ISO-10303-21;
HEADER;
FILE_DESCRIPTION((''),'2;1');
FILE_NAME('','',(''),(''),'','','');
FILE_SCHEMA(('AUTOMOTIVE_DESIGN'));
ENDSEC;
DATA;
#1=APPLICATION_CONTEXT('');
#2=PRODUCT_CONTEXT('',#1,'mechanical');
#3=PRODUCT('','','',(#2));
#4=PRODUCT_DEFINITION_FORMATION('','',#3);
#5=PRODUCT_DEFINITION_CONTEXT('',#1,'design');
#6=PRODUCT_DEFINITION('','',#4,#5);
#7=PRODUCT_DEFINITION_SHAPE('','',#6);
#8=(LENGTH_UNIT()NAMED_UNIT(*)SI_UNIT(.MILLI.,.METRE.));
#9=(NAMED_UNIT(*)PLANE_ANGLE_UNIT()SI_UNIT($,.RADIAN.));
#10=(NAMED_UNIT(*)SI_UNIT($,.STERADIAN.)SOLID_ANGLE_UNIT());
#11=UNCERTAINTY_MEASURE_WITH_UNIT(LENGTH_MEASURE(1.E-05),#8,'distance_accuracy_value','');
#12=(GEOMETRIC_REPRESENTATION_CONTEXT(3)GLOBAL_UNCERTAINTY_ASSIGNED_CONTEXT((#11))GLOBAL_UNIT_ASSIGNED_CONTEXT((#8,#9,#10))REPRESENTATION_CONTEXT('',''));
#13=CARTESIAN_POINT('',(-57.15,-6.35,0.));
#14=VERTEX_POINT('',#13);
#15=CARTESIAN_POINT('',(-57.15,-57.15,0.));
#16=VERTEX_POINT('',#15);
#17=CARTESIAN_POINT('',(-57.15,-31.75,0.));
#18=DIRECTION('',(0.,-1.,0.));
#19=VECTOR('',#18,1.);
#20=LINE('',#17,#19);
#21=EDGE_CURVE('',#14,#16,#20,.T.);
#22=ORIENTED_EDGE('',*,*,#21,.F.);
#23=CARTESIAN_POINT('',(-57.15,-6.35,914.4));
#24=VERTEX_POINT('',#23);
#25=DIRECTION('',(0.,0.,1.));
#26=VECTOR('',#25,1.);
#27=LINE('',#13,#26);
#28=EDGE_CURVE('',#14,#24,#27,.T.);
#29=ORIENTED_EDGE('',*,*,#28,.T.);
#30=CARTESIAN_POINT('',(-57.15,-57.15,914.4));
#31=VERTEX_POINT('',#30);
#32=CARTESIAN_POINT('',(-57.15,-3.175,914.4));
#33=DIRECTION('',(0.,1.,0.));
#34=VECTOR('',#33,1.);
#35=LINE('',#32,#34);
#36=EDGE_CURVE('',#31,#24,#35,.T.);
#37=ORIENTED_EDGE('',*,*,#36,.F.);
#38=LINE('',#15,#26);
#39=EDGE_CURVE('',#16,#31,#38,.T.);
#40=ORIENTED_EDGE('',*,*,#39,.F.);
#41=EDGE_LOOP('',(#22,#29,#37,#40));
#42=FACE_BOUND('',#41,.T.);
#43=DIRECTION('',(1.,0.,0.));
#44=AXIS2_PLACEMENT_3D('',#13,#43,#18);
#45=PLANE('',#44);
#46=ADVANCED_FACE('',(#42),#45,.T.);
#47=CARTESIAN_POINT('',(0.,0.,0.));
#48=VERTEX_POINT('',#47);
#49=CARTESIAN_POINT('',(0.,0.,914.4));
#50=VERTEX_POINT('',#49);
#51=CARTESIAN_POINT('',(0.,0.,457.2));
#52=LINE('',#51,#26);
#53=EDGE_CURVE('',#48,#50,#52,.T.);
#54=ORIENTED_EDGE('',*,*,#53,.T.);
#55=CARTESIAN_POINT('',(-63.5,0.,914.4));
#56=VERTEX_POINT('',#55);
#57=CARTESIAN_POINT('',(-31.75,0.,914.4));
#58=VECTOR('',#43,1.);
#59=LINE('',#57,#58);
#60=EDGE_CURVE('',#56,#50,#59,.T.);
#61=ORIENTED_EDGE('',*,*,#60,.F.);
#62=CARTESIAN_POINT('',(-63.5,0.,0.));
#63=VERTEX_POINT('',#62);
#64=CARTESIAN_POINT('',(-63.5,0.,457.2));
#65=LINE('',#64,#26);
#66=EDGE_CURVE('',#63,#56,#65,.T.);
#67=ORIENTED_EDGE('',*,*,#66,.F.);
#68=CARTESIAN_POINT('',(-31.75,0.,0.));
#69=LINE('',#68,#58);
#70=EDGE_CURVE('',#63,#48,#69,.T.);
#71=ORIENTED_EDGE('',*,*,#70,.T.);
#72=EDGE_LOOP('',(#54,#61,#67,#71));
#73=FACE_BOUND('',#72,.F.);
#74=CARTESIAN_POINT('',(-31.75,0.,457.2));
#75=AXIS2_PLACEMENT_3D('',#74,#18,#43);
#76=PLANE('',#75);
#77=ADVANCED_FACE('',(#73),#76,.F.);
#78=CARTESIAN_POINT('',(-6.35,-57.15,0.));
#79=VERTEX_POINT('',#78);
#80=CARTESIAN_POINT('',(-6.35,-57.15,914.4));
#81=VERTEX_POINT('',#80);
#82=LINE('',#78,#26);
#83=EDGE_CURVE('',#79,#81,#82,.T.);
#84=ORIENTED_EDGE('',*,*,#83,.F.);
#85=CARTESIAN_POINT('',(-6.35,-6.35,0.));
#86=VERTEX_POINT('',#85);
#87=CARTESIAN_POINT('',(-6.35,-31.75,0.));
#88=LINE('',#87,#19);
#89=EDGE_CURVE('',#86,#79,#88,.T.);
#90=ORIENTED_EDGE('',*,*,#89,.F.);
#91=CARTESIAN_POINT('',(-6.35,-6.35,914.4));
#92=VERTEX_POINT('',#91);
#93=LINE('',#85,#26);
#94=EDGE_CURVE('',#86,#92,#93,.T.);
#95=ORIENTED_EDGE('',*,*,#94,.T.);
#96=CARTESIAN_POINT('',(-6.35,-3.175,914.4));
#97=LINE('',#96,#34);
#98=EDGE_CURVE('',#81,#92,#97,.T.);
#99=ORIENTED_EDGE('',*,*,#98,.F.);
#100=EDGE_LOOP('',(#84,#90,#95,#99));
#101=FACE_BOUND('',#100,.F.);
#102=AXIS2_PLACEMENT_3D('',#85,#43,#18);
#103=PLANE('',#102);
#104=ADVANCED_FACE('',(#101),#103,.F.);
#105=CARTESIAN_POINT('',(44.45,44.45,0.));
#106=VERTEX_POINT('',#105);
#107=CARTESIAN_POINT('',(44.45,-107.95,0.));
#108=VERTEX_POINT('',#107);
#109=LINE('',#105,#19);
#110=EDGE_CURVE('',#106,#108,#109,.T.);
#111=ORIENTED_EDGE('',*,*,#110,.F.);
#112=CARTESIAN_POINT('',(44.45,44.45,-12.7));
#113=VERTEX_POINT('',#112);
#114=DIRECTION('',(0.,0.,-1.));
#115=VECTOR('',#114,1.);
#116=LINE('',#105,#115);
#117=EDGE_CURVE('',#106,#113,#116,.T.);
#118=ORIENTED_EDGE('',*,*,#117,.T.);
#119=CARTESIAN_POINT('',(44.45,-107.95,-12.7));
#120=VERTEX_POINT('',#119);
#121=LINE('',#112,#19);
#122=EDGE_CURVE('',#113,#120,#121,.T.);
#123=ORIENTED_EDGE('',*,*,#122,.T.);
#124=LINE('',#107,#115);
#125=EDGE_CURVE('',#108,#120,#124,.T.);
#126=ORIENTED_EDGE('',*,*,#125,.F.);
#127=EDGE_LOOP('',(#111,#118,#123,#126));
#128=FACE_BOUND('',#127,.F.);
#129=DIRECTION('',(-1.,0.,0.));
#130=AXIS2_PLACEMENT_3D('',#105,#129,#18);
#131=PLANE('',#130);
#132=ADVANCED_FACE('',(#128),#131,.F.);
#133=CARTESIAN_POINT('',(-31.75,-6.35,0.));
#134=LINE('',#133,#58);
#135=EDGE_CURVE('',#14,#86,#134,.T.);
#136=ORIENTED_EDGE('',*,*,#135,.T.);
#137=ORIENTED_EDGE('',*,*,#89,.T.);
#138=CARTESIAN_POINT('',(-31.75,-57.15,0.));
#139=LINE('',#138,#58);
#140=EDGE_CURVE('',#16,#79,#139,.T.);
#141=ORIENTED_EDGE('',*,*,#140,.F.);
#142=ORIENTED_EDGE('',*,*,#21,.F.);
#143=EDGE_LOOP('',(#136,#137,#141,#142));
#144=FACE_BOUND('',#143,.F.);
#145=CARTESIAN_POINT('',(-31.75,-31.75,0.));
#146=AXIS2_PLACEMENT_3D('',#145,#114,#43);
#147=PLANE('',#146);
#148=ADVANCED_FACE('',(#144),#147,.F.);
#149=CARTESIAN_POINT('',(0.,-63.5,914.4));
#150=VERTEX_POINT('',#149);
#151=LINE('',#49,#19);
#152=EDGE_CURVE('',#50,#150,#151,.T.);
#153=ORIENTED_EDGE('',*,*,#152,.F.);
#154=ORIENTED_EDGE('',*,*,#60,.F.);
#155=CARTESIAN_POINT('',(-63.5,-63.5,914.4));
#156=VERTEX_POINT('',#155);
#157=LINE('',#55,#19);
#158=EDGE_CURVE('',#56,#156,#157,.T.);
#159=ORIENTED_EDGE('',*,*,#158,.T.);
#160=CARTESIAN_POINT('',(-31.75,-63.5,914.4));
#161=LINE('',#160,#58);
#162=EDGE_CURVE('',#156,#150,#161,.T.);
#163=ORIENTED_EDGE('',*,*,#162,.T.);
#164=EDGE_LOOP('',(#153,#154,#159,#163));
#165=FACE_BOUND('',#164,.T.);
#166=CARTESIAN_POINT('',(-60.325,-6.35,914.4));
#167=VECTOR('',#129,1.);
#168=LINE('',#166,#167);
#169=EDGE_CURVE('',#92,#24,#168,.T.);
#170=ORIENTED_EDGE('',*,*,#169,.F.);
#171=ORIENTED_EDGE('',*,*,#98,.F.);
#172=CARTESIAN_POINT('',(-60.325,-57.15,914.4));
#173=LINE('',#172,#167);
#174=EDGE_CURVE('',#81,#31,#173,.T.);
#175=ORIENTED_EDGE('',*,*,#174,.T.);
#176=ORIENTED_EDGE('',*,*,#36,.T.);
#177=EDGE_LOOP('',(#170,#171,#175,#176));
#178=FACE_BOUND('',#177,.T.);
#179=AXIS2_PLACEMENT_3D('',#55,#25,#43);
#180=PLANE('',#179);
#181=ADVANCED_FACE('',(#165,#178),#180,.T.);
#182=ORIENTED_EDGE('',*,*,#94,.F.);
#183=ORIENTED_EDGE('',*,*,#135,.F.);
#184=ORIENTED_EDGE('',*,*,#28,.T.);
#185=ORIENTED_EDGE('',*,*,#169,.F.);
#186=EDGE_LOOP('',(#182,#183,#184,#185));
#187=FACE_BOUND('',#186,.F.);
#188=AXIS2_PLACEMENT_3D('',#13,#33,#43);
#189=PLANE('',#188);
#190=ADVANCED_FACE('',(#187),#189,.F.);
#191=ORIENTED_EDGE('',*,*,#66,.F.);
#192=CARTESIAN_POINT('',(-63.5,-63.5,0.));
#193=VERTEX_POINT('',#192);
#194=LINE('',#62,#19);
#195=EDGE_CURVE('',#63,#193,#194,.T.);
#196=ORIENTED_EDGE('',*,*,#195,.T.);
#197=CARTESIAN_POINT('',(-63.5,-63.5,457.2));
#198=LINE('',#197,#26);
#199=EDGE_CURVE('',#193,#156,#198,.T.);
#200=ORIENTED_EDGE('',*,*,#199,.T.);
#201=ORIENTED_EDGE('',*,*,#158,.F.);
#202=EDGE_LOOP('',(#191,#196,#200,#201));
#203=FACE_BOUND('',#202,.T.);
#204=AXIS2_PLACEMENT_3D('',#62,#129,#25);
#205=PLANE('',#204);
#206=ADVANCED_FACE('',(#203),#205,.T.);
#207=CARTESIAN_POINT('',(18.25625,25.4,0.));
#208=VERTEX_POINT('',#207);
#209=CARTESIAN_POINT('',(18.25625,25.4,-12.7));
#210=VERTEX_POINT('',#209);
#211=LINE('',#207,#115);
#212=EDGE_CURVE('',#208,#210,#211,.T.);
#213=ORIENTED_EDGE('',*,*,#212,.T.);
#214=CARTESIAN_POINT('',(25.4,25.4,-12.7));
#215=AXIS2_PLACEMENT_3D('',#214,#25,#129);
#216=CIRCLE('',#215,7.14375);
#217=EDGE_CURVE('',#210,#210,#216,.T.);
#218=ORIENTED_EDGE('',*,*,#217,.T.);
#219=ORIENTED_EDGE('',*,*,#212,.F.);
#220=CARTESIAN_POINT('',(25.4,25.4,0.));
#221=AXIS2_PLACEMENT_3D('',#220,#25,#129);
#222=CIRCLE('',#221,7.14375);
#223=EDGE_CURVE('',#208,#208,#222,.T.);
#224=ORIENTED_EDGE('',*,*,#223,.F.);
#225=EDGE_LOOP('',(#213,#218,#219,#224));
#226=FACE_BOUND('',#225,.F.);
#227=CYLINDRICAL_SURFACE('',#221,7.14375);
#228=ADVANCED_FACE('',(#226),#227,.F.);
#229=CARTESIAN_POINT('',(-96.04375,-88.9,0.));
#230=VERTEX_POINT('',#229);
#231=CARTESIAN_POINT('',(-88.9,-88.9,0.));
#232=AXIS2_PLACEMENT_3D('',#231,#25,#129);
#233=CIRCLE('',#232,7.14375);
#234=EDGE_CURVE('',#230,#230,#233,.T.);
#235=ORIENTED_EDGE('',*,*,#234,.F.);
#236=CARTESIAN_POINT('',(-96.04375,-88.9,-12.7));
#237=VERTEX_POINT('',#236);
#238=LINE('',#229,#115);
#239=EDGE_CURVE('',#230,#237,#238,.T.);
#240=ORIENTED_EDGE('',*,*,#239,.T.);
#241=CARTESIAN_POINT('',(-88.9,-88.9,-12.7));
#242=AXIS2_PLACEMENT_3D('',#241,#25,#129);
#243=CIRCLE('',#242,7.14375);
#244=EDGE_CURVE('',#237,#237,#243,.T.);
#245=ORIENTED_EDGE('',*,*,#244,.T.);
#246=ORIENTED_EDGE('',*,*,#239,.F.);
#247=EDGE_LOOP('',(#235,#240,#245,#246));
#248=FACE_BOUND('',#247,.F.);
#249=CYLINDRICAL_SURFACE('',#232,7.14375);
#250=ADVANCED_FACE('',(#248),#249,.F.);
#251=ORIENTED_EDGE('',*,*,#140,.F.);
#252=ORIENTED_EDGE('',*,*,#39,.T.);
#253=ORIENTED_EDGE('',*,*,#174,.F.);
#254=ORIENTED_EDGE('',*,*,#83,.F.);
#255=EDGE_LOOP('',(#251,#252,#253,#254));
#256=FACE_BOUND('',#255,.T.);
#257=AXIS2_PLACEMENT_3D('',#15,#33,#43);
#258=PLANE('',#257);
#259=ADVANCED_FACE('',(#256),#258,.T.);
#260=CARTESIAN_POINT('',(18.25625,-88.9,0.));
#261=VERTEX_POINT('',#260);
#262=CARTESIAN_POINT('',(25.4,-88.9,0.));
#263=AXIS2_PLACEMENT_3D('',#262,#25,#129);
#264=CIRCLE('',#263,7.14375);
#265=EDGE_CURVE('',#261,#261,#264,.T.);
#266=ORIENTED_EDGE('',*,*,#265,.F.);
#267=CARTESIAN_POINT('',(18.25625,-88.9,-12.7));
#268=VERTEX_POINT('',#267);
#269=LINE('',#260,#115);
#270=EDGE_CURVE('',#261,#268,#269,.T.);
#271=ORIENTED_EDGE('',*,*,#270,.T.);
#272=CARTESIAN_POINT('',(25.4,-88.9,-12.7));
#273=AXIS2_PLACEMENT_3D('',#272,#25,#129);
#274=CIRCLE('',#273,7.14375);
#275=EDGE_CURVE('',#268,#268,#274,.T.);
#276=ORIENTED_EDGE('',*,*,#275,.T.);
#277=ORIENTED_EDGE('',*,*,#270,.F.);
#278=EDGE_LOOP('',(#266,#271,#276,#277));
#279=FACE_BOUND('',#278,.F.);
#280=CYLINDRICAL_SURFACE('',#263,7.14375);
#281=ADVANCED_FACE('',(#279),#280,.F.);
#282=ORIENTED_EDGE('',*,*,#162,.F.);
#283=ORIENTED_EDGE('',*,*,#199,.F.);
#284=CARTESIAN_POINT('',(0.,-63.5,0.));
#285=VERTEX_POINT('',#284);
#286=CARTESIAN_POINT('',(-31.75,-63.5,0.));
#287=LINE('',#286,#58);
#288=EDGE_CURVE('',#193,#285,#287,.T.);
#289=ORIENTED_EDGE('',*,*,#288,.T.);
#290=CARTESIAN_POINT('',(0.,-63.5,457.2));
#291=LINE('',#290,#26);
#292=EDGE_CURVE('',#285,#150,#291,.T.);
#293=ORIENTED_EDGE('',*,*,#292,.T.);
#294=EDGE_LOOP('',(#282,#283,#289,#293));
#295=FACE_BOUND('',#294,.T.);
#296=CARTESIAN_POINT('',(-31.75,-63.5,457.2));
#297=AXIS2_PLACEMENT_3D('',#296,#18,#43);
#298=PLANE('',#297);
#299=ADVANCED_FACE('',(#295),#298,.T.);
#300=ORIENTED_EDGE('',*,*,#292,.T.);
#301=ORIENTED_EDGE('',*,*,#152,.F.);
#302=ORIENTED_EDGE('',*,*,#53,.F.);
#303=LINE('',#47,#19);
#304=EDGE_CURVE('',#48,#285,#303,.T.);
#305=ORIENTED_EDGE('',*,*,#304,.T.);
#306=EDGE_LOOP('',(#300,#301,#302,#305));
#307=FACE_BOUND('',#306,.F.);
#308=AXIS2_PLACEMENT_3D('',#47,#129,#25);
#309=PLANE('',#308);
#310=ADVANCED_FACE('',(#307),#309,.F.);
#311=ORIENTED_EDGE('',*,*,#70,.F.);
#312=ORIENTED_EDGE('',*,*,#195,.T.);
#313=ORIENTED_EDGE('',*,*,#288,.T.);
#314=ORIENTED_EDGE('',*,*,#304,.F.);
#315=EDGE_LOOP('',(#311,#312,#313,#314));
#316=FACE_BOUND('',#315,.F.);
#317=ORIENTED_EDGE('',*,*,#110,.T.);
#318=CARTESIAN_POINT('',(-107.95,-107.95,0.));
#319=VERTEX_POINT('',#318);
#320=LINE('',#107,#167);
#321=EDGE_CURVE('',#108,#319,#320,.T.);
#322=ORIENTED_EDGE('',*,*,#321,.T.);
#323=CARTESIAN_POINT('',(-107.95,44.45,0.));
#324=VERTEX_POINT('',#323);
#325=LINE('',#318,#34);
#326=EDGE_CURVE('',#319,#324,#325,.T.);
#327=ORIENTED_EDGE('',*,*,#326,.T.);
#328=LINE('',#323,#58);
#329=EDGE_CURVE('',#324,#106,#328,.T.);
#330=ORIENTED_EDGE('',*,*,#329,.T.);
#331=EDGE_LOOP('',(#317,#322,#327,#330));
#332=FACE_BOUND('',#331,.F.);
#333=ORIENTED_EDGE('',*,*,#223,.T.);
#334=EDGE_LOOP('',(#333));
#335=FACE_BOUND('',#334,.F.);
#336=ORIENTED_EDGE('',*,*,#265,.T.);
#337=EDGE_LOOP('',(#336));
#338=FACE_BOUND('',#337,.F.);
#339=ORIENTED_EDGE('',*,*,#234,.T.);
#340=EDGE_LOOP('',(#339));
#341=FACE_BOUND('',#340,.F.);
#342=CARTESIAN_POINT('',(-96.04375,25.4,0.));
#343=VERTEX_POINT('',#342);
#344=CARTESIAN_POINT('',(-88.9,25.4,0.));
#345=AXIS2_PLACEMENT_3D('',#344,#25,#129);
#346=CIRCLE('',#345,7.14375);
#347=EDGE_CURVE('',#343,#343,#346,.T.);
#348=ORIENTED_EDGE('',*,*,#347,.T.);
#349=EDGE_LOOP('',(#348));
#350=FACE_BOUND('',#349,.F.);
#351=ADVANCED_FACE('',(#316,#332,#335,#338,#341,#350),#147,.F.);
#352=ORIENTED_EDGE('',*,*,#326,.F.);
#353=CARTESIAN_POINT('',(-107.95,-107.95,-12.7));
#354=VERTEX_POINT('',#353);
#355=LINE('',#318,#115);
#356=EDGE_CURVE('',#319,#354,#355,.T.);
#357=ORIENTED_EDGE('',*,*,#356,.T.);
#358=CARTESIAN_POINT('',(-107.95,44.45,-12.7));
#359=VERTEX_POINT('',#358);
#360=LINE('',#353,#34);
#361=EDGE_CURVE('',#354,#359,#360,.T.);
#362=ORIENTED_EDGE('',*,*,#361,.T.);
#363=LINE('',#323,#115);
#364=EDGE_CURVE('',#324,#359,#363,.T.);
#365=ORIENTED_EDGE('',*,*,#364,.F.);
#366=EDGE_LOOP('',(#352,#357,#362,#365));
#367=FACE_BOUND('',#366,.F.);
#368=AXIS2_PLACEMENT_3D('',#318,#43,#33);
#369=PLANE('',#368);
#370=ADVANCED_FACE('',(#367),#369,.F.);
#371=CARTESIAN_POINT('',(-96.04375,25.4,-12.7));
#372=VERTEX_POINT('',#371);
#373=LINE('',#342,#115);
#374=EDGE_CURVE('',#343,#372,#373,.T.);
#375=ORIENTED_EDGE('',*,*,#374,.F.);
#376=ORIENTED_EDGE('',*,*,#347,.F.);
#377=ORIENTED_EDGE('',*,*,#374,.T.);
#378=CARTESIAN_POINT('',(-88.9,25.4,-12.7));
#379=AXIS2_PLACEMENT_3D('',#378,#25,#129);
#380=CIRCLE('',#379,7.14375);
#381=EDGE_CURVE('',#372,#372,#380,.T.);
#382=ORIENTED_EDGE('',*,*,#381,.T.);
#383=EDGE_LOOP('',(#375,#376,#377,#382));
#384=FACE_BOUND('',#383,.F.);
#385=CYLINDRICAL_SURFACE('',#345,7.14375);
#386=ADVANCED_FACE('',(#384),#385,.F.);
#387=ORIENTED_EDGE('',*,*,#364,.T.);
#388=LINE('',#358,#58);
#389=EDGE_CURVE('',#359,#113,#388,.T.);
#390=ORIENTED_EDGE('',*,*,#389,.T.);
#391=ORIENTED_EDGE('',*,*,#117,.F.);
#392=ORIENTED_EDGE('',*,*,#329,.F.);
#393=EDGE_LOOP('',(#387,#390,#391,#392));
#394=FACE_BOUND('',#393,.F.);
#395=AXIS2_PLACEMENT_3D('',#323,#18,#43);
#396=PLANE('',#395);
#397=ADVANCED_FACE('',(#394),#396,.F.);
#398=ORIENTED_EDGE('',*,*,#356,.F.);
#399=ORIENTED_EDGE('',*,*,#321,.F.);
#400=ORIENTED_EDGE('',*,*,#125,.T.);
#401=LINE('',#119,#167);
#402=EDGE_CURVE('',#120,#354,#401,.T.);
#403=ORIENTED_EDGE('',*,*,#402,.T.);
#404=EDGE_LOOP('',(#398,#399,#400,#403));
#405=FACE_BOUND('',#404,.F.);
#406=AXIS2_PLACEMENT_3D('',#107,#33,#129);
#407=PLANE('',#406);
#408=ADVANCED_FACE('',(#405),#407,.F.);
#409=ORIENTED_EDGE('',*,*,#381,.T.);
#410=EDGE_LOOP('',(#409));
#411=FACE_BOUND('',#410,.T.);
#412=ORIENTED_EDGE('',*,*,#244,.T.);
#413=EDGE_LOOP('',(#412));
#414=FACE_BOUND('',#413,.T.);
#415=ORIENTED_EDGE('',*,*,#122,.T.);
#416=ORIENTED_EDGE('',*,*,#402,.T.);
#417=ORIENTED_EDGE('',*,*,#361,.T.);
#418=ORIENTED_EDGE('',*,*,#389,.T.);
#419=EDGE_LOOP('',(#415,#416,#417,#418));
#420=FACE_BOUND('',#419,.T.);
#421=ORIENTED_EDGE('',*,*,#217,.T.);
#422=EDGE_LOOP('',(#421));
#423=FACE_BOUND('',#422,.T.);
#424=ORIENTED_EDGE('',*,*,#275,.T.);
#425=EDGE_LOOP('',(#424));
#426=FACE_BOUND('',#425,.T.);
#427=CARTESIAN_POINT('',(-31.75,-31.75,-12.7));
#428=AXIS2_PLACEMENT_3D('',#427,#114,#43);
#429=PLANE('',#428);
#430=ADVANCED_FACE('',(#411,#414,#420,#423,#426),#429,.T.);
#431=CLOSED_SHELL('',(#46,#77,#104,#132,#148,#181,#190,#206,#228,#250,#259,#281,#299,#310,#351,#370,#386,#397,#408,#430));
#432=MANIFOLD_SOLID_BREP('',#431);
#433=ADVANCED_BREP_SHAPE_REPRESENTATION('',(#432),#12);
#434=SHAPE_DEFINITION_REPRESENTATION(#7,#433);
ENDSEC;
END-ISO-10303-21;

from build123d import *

# Parameters (mm, degrees)
F0_W     = 63.5
F0_H     = 914.4
F1_DEPTH = 63.5
F2_W     = 50.8
F2_H     = 50.8
F3_DEPTH = 914.401
F5_DEPTH = 12.7
F7_DEPTH = 25.4


with BuildPart() as f1:
    # F0 (on Front) → F1 (new body)
    with BuildSketch(Plane.XZ):
        with Locations((-31.75, 457.2)):
            Rectangle(F0_W, F0_H)
    extrude(amount=F1_DEPTH)

    # F2 (on face) → F3 (cut, through all)
    with BuildSketch(Plane(origin=(0, 0, 0), x_dir=(1, 0, 0), z_dir=(0, 0, -1))):
        with Locations((-31.75, 31.75)):
            Rectangle(F2_W, F2_H)
    extrude(amount=-F3_DEPTH, mode=Mode.SUBTRACT)

    # F4 (on face) → F5 (join)
    with BuildSketch(Plane(origin=(0, 0, 0), x_dir=(1, 0, 0), z_dir=(0, 0, -1))):
        Polygon((44.45, 107.95), (-63.5, 107.95), (-107.95, 107.95), (-107.95, -44.45), (44.45, -44.45), align=None)
    extrude(amount=F5_DEPTH)

    # F6 (on face) → F7 (cut)
    with BuildSketch(Plane.XY):
        with BuildLine():
            ThreePointArc((-81.75625, 25.4), (-88.9, 32.54375), (-96.04375, 25.4))
            Line((-96.04375, 25.4), (-81.75625, 25.4))
        make_face()
        with BuildLine():
            ThreePointArc((32.54375, 25.4), (25.4, 32.54375), (18.25625, 25.4))
            ThreePointArc((18.25625, 25.4), (25.4, 18.25625), (32.54375, 25.4))
        make_face()
        with BuildLine():
            Line((-81.75625, 25.4), (-96.04375, 25.4))
            ThreePointArc((-96.04375, 25.4), (-88.9, 18.25625), (-81.75625, 25.4))
        make_face()
        with BuildLine():
            ThreePointArc((-81.75625, -88.9), (-88.9, -81.75625), (-96.04375, -88.9))
            Line((-96.04375, -88.9), (-81.75625, -88.9))
        make_face()
        with BuildLine():
            ThreePointArc((32.54375, -88.9), (25.4, -81.75625), (18.25625, -88.9))
            Line((18.25625, -88.9), (32.54375, -88.9))
        make_face()
        with BuildLine():
            Line((32.54375, -88.9), (18.25625, -88.9))
            ThreePointArc((18.25625, -88.9), (25.4, -96.04375), (32.54375, -88.9))
        make_face()
        with BuildLine():
            Line((-81.75625, -88.9), (-96.04375, -88.9))
            ThreePointArc((-96.04375, -88.9), (-88.9, -96.04375), (-81.75625, -88.9))
        make_face()
    extrude(amount=-F7_DEPTH, mode=Mode.SUBTRACT)


solid = f1.part
